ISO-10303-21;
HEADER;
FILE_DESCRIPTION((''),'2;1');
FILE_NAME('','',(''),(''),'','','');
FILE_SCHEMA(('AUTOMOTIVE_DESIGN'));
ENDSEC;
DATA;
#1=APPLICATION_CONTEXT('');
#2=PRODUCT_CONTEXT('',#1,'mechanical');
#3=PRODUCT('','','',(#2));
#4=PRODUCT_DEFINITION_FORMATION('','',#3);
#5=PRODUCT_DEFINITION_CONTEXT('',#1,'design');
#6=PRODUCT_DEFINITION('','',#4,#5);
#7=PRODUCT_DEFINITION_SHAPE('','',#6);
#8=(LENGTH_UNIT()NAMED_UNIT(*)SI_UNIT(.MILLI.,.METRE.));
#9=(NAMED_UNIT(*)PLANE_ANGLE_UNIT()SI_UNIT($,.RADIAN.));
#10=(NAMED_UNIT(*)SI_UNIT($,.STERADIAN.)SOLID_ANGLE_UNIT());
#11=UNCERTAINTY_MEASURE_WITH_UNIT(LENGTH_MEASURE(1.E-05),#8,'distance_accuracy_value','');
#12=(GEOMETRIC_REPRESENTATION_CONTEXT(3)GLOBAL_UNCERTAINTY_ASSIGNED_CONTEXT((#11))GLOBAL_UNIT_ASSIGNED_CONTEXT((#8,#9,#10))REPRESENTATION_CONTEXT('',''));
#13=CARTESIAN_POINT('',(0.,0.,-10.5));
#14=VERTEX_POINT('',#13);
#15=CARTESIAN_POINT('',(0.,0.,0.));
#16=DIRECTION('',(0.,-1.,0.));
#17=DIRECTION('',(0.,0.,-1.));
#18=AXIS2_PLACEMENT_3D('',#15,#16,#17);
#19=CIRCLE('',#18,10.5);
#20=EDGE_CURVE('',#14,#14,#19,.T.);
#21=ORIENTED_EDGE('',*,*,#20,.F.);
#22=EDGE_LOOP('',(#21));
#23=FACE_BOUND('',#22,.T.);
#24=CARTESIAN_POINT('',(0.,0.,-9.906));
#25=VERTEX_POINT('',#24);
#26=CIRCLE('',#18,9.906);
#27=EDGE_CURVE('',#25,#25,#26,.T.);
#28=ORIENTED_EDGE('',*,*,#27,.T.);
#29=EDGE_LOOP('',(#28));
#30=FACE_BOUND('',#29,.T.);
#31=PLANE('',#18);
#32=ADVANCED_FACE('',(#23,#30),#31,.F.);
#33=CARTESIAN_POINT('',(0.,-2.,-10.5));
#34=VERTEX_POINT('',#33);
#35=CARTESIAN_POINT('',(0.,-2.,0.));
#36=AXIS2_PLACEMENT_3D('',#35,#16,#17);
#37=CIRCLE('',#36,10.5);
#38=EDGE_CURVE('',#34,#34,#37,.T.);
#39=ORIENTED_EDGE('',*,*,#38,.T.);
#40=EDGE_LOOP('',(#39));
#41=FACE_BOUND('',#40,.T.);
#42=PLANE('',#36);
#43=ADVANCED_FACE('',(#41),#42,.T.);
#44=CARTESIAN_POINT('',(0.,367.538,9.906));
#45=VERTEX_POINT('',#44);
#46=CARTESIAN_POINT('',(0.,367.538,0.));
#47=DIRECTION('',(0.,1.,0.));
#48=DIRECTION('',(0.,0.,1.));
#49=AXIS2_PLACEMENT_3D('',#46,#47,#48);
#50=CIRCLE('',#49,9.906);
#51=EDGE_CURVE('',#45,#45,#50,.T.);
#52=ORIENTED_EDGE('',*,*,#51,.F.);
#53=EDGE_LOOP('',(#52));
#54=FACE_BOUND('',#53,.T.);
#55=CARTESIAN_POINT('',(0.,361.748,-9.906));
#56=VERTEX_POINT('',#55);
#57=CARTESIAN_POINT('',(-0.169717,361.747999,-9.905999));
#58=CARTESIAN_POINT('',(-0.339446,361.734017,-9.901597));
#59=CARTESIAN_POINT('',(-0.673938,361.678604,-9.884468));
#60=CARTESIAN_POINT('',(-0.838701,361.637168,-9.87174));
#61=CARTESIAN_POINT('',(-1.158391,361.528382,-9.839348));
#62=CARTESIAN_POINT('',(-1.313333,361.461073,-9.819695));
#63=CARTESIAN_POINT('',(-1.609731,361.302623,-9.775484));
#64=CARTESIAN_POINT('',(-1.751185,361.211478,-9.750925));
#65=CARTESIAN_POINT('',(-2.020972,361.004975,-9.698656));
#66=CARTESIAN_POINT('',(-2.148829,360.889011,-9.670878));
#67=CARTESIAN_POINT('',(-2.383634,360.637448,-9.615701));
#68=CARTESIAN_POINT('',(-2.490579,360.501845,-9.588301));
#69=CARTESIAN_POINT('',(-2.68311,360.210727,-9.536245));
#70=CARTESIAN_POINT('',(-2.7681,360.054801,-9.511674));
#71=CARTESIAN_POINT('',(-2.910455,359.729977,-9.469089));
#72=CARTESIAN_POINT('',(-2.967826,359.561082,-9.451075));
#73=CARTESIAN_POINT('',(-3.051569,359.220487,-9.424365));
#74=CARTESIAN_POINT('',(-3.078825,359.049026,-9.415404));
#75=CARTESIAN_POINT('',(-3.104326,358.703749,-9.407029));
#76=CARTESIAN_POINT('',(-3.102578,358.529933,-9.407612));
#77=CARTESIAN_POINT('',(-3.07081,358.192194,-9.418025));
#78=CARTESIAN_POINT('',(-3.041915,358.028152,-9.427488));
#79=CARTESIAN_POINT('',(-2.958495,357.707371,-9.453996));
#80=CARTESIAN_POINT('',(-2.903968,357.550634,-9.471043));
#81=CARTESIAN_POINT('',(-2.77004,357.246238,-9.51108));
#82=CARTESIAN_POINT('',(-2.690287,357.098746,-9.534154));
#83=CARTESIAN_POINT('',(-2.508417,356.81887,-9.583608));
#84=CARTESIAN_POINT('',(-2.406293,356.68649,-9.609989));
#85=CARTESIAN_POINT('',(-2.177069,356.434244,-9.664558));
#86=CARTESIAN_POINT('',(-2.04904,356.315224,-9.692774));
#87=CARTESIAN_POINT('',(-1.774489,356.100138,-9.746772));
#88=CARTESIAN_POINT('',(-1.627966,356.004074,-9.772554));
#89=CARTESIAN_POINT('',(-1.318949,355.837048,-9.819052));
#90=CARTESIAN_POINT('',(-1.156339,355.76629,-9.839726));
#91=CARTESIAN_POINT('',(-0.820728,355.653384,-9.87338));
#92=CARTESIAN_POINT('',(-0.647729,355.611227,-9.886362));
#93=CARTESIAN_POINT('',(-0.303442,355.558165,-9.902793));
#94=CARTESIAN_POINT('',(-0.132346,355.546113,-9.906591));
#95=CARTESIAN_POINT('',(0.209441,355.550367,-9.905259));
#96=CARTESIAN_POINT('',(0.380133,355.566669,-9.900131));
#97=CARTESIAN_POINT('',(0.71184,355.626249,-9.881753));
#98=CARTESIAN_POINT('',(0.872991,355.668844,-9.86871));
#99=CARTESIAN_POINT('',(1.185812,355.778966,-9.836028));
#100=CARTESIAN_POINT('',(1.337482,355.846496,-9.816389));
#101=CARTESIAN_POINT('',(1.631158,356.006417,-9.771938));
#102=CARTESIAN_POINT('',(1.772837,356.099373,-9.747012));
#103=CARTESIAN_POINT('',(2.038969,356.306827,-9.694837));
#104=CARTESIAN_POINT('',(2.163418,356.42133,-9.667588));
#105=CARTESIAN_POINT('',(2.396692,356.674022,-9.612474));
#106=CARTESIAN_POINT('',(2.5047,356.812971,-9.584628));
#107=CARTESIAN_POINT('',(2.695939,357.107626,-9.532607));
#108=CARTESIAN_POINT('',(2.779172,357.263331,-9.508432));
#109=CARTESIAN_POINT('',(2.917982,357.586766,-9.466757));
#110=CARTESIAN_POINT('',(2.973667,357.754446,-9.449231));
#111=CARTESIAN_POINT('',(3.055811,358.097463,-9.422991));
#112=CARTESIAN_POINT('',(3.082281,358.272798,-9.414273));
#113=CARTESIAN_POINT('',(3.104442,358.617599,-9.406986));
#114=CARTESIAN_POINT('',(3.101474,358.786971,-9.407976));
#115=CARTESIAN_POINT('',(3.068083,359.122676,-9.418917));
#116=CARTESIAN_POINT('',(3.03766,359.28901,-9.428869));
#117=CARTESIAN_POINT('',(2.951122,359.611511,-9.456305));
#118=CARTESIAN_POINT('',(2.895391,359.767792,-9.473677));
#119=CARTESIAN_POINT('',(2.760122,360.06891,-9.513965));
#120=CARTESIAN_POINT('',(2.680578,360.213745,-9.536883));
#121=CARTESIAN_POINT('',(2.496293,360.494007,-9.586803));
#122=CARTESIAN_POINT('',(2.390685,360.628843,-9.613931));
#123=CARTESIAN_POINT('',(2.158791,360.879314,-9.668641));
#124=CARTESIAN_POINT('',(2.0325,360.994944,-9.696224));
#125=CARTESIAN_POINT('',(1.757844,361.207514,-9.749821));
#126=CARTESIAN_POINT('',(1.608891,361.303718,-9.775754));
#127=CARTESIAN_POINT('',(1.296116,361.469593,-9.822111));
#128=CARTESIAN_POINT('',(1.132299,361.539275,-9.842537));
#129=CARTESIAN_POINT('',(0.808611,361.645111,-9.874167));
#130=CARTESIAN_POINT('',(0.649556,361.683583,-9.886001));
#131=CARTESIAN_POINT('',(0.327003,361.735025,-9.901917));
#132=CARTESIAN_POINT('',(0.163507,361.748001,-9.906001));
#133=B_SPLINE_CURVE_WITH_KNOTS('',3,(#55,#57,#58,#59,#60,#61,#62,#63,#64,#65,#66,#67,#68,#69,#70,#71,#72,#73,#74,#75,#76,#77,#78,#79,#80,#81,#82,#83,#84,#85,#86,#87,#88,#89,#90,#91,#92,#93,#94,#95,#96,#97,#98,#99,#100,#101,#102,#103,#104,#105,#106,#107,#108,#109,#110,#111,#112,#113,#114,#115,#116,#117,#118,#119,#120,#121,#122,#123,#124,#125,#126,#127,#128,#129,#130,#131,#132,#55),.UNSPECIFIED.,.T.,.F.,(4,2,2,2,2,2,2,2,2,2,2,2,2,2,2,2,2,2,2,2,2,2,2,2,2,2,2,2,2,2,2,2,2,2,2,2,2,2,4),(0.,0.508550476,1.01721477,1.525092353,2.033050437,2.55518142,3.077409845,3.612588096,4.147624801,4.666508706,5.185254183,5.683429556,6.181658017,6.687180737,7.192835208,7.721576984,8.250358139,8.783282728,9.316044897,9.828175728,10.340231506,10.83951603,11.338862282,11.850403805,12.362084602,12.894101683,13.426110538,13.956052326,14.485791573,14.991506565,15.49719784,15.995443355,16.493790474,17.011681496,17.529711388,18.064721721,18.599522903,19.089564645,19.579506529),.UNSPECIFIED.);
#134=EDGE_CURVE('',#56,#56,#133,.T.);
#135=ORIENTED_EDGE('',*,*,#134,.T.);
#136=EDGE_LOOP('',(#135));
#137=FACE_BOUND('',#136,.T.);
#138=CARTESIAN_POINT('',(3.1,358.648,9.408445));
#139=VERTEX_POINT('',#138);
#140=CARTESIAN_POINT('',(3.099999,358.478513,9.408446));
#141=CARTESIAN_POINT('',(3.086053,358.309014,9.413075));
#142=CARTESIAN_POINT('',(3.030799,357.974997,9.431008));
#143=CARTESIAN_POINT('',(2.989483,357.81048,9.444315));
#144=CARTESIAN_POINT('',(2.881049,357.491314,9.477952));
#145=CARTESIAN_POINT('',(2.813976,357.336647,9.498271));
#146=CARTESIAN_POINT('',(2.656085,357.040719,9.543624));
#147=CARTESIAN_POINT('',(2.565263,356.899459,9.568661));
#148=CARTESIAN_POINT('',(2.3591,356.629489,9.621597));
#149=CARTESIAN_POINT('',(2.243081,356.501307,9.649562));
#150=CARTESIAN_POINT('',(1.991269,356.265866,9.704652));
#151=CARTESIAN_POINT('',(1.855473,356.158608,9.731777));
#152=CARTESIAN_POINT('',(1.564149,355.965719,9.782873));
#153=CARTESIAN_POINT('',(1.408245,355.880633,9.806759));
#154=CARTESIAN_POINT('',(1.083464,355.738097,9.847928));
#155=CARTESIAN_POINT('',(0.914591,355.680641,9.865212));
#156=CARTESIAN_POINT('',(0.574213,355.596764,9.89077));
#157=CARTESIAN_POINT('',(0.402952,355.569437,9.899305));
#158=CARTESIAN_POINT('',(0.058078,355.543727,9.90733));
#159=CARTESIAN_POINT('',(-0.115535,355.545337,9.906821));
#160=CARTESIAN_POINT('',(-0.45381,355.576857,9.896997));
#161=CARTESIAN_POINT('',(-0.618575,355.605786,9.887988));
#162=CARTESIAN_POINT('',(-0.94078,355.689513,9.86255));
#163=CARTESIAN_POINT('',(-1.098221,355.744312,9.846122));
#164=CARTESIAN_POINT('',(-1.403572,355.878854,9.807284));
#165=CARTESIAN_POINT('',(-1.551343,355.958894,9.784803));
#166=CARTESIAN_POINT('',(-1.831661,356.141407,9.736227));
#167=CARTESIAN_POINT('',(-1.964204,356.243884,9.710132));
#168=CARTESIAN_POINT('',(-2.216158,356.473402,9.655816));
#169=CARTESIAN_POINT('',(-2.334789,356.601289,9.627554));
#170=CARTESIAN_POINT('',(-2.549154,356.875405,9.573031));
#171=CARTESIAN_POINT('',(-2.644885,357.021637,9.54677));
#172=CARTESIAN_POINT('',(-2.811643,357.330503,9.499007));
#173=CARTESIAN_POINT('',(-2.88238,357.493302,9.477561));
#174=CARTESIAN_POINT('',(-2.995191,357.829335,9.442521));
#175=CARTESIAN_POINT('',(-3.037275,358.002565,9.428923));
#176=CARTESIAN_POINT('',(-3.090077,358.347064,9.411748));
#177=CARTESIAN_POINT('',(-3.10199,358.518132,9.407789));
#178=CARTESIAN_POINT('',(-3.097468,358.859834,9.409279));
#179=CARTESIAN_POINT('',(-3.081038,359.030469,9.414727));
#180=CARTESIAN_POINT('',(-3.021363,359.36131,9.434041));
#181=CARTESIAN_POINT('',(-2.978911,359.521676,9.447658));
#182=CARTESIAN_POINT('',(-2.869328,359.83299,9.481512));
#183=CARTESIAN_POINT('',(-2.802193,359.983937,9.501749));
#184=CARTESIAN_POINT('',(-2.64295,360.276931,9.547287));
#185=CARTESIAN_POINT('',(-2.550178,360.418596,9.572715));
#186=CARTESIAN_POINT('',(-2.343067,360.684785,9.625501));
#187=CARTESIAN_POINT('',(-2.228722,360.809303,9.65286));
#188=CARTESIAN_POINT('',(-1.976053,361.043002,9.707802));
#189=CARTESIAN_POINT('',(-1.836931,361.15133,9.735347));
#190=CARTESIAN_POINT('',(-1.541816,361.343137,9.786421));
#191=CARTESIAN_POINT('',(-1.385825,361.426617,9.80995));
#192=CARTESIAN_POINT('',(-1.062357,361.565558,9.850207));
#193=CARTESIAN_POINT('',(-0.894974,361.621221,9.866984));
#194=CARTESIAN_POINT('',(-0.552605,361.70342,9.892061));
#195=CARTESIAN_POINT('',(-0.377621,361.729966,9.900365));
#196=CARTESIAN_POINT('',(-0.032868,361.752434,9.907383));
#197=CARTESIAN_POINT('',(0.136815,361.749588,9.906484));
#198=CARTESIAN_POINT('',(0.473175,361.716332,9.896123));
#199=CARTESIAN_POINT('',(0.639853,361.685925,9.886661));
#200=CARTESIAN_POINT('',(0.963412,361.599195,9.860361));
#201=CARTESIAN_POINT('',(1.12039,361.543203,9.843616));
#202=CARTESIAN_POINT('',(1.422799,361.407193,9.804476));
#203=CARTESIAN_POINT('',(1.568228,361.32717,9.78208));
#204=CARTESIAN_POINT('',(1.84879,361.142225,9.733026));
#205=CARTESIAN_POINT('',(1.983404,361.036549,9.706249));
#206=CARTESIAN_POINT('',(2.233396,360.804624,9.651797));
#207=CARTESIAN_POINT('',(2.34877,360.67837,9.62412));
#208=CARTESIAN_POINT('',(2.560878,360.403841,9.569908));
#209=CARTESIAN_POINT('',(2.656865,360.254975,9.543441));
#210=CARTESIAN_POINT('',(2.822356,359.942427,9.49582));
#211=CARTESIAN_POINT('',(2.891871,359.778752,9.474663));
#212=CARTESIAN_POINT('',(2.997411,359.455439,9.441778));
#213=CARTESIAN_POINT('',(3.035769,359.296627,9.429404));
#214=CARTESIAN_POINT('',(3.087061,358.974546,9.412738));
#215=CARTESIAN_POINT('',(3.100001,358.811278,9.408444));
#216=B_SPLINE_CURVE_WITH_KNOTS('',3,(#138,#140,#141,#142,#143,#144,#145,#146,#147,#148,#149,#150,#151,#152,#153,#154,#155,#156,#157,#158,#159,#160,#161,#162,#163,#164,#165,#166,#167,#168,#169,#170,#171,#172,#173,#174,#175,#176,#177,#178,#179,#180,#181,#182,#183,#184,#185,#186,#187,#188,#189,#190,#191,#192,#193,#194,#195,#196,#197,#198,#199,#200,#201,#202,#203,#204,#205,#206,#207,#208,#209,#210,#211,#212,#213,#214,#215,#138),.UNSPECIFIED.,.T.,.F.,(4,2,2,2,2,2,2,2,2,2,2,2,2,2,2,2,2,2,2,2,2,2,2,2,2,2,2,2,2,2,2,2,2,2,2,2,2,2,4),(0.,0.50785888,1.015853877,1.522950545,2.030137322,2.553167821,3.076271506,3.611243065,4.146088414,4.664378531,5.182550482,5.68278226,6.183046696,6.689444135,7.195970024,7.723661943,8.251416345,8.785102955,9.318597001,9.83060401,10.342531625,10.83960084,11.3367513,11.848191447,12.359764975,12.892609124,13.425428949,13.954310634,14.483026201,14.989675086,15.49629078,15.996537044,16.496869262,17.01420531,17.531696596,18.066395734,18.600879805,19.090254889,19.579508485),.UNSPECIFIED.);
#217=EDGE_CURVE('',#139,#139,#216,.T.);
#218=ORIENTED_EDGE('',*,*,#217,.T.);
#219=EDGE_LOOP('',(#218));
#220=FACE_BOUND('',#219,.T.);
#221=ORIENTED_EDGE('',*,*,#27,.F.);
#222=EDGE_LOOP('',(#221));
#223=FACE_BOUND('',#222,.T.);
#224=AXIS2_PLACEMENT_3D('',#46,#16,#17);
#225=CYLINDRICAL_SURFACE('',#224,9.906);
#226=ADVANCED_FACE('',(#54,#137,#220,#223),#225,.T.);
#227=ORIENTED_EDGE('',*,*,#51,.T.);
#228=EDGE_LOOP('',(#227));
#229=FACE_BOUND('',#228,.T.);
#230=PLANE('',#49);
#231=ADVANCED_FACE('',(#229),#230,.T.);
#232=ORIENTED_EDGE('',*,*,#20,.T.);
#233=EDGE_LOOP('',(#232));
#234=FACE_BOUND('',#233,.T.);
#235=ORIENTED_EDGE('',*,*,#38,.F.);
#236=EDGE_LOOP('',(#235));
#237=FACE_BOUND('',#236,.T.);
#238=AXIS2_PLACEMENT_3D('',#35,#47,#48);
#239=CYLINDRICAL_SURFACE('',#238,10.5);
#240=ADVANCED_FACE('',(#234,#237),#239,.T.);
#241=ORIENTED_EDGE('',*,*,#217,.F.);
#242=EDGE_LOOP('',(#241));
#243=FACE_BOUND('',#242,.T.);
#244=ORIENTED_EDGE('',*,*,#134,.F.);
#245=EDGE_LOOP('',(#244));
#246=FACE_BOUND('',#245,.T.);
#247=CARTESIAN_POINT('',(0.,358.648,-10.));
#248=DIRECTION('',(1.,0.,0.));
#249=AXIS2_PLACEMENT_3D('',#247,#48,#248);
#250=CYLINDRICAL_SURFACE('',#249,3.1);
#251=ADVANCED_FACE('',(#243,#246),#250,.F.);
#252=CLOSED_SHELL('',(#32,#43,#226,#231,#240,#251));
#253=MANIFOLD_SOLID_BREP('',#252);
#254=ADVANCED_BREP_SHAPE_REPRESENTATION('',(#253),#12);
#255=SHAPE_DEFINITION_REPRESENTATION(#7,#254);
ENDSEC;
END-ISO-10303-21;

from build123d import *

# Parameters (mm, degrees)
CROQUIS1_R              = 9.906
SALIENTE_EXTRUIR1_DEPTH = 367.538
CROQUIS2_R              = 3.1
CORTAR_EXTRUIR1_DEPTH   = 10
CROQUIS3_R              = 10.5
SALIENTE_EXTRUIR2_DEPTH = 2


with BuildPart() as part:
    # Croquis1 → Saliente-Extruir1 (new body)
    with BuildSketch(Plane(origin=(0, 0, 0), x_dir=(1, 0, 0), z_dir=(0, 1, 0))):
        Circle(CROQUIS1_R)
    extrude(amount=SALIENTE_EXTRUIR1_DEPTH)

    # Croquis2 → Cortar-Extruir1 (cut, symmetric)
    with BuildSketch(Plane.XY):
        with Locations((0, 358.648)):
            Circle(CROQUIS2_R)
    extrude(amount=CORTAR_EXTRUIR1_DEPTH, both=True, mode=Mode.SUBTRACT)

    # Croquis3 → Saliente-Extruir2 (add)
    with BuildSketch(Plane.XZ):
        Circle(CROQUIS3_R)
    extrude(amount=SALIENTE_EXTRUIR2_DEPTH)


solid = part.part
